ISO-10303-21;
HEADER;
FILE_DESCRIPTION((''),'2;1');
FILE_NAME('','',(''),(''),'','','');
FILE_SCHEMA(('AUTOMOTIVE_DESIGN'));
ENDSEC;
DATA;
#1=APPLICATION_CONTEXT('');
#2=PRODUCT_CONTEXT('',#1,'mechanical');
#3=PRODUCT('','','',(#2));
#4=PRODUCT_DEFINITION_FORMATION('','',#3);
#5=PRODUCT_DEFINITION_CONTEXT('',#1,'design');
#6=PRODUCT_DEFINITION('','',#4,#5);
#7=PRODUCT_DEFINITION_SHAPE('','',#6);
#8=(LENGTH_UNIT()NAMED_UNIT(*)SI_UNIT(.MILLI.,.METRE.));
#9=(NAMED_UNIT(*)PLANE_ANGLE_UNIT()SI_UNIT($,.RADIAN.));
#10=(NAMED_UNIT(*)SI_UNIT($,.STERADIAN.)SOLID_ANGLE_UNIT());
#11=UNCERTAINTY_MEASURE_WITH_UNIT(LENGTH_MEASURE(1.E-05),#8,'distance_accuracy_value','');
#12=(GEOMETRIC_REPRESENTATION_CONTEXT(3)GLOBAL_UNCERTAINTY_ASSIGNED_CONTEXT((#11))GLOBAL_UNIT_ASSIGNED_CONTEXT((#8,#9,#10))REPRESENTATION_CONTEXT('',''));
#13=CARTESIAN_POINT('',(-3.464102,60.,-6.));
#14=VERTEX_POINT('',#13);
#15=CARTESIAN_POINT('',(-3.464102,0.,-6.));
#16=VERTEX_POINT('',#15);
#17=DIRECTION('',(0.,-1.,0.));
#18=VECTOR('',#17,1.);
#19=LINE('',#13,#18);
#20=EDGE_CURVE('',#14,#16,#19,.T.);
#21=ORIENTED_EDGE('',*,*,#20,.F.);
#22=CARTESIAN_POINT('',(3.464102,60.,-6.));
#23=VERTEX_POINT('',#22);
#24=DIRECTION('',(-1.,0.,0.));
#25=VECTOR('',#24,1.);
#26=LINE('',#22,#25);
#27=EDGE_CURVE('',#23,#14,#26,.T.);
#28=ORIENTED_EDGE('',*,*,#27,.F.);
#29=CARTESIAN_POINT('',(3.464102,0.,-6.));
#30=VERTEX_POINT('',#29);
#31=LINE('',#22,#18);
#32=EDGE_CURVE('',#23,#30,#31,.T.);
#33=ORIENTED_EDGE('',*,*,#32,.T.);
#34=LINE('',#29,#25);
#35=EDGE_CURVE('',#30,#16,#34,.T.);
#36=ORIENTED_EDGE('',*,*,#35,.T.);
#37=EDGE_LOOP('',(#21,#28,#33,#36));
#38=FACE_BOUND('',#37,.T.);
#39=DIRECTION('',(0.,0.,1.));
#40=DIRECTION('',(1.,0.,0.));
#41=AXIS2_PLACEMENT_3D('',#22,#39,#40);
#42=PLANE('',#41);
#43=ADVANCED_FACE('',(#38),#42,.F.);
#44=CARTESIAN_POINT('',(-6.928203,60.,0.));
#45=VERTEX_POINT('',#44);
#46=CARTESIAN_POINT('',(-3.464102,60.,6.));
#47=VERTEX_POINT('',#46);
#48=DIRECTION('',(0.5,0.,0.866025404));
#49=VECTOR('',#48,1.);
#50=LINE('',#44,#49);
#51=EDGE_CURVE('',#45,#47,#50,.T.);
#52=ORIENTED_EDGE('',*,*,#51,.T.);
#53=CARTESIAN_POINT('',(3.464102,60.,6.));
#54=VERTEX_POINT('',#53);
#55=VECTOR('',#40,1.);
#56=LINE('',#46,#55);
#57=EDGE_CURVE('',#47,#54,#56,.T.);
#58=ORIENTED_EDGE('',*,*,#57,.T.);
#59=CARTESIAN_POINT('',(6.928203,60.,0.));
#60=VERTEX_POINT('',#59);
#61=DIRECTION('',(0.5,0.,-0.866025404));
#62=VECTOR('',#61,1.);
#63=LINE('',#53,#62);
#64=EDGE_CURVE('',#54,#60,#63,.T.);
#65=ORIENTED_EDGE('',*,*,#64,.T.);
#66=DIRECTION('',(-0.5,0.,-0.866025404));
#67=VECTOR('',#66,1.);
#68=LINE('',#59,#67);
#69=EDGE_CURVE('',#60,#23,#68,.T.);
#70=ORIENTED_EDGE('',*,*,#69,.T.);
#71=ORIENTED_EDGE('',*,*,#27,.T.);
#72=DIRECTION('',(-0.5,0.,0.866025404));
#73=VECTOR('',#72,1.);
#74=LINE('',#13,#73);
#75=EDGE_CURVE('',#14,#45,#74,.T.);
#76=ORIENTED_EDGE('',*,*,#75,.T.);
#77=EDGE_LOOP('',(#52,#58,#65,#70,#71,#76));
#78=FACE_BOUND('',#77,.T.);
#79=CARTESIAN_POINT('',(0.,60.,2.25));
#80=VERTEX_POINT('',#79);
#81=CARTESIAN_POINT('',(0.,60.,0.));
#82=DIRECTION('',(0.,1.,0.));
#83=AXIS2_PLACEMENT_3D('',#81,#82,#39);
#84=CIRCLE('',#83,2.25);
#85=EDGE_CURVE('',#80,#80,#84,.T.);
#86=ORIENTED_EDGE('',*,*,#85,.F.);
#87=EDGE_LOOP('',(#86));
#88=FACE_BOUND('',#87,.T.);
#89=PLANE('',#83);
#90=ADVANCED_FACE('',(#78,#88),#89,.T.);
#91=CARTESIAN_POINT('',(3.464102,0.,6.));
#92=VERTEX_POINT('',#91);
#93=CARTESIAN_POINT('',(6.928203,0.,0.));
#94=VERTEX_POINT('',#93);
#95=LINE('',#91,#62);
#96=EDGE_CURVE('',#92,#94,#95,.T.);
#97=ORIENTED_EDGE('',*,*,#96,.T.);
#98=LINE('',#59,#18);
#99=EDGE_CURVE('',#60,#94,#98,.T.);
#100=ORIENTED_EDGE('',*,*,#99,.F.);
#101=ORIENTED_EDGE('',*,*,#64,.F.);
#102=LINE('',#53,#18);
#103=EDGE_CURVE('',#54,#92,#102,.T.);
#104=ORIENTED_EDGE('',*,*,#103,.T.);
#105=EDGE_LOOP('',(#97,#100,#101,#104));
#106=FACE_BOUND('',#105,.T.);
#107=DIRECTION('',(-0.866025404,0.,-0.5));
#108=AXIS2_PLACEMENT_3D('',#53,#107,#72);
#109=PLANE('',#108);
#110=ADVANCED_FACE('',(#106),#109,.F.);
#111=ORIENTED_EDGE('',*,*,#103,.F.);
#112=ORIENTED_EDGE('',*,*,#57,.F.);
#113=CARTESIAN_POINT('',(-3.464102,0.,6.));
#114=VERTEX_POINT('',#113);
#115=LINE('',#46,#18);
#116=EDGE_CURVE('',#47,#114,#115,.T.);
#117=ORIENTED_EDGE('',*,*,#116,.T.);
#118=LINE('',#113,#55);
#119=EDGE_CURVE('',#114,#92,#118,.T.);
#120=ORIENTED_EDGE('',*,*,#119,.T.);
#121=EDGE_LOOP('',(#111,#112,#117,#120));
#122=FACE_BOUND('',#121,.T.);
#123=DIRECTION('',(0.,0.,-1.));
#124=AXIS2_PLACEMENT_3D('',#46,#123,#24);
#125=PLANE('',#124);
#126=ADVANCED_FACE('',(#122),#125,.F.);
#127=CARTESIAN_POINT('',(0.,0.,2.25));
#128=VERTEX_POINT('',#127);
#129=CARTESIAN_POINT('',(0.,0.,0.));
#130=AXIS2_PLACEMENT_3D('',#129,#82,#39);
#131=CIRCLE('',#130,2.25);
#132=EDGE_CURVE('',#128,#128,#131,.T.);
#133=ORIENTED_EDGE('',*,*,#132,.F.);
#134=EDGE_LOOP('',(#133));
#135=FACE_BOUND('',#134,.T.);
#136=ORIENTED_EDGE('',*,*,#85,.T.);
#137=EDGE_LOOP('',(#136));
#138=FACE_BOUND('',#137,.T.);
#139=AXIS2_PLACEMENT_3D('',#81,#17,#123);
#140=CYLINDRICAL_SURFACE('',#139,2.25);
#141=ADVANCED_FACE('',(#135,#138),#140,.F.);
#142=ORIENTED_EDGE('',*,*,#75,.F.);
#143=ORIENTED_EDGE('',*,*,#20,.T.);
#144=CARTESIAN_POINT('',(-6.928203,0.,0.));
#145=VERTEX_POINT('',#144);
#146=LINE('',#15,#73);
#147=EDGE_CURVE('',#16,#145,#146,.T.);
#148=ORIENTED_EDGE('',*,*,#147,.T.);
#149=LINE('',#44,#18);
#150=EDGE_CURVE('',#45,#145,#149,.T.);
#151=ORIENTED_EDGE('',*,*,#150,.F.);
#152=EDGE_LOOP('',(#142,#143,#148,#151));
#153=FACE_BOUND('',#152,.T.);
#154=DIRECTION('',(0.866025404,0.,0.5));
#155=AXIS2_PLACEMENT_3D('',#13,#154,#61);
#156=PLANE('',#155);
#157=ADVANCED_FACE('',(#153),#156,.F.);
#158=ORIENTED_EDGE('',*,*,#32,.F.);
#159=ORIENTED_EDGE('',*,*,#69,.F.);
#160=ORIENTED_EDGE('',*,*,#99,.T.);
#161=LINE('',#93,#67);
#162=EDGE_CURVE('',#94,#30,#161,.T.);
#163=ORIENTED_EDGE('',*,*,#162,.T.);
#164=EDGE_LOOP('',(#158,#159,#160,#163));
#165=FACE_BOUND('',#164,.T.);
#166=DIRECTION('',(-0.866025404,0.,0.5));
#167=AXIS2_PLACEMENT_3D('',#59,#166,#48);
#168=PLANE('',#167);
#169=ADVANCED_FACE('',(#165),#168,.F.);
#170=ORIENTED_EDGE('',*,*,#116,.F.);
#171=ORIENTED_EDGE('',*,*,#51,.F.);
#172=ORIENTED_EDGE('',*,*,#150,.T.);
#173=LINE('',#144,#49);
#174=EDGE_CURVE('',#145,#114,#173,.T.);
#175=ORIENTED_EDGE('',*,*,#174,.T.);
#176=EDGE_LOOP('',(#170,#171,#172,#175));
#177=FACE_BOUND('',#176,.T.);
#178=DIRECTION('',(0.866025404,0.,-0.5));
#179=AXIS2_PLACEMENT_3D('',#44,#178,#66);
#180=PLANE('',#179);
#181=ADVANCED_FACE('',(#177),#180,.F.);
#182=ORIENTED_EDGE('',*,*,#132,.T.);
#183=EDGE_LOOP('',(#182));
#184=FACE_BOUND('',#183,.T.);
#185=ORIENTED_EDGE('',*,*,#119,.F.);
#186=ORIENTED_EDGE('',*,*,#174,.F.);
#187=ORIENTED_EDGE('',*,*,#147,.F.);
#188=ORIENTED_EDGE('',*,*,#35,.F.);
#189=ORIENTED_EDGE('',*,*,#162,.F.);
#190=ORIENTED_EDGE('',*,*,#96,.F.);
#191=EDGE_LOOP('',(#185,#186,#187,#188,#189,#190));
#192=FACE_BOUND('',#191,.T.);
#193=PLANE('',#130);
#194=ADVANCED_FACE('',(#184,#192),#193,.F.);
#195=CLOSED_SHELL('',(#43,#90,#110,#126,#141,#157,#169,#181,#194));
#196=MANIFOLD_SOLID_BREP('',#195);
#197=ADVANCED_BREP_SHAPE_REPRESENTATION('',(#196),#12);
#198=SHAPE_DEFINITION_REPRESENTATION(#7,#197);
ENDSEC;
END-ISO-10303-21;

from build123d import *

# Parameters (mm, degrees)
BOSS_EXTRUDE1_DEPTH = 60
SKETCH3_R           = 2.25
CUT_EXTRUDE1_DEPTH  = 61.695963622


with BuildPart() as part:
    # Sketch2 → Boss-Extrude1 (new body)
    with BuildSketch(Plane(origin=(0, 0, 0), x_dir=(1, 0, 0), z_dir=(0, 1, 0))):
        Polygon((6.92820323, 0), (3.464101615, 6), (-3.464101615, 6), (-6.92820323, 0), (-3.464101615, -6), (3.464101615, -6), align=None)
    extrude(amount=BOSS_EXTRUDE1_DEPTH)

    # Sketch3 → Cut-Extrude1 (cut, through all)
    with BuildSketch(Plane(origin=(0, 0, 0), x_dir=(1, 0, 0), z_dir=(0, 1, 0))):
        with Locations(Location((0, 0, 0), (0, 0, 270))):
            Circle(SKETCH3_R)
    extrude(amount=CUT_EXTRUDE1_DEPTH, mode=Mode.SUBTRACT)


solid = part.part
